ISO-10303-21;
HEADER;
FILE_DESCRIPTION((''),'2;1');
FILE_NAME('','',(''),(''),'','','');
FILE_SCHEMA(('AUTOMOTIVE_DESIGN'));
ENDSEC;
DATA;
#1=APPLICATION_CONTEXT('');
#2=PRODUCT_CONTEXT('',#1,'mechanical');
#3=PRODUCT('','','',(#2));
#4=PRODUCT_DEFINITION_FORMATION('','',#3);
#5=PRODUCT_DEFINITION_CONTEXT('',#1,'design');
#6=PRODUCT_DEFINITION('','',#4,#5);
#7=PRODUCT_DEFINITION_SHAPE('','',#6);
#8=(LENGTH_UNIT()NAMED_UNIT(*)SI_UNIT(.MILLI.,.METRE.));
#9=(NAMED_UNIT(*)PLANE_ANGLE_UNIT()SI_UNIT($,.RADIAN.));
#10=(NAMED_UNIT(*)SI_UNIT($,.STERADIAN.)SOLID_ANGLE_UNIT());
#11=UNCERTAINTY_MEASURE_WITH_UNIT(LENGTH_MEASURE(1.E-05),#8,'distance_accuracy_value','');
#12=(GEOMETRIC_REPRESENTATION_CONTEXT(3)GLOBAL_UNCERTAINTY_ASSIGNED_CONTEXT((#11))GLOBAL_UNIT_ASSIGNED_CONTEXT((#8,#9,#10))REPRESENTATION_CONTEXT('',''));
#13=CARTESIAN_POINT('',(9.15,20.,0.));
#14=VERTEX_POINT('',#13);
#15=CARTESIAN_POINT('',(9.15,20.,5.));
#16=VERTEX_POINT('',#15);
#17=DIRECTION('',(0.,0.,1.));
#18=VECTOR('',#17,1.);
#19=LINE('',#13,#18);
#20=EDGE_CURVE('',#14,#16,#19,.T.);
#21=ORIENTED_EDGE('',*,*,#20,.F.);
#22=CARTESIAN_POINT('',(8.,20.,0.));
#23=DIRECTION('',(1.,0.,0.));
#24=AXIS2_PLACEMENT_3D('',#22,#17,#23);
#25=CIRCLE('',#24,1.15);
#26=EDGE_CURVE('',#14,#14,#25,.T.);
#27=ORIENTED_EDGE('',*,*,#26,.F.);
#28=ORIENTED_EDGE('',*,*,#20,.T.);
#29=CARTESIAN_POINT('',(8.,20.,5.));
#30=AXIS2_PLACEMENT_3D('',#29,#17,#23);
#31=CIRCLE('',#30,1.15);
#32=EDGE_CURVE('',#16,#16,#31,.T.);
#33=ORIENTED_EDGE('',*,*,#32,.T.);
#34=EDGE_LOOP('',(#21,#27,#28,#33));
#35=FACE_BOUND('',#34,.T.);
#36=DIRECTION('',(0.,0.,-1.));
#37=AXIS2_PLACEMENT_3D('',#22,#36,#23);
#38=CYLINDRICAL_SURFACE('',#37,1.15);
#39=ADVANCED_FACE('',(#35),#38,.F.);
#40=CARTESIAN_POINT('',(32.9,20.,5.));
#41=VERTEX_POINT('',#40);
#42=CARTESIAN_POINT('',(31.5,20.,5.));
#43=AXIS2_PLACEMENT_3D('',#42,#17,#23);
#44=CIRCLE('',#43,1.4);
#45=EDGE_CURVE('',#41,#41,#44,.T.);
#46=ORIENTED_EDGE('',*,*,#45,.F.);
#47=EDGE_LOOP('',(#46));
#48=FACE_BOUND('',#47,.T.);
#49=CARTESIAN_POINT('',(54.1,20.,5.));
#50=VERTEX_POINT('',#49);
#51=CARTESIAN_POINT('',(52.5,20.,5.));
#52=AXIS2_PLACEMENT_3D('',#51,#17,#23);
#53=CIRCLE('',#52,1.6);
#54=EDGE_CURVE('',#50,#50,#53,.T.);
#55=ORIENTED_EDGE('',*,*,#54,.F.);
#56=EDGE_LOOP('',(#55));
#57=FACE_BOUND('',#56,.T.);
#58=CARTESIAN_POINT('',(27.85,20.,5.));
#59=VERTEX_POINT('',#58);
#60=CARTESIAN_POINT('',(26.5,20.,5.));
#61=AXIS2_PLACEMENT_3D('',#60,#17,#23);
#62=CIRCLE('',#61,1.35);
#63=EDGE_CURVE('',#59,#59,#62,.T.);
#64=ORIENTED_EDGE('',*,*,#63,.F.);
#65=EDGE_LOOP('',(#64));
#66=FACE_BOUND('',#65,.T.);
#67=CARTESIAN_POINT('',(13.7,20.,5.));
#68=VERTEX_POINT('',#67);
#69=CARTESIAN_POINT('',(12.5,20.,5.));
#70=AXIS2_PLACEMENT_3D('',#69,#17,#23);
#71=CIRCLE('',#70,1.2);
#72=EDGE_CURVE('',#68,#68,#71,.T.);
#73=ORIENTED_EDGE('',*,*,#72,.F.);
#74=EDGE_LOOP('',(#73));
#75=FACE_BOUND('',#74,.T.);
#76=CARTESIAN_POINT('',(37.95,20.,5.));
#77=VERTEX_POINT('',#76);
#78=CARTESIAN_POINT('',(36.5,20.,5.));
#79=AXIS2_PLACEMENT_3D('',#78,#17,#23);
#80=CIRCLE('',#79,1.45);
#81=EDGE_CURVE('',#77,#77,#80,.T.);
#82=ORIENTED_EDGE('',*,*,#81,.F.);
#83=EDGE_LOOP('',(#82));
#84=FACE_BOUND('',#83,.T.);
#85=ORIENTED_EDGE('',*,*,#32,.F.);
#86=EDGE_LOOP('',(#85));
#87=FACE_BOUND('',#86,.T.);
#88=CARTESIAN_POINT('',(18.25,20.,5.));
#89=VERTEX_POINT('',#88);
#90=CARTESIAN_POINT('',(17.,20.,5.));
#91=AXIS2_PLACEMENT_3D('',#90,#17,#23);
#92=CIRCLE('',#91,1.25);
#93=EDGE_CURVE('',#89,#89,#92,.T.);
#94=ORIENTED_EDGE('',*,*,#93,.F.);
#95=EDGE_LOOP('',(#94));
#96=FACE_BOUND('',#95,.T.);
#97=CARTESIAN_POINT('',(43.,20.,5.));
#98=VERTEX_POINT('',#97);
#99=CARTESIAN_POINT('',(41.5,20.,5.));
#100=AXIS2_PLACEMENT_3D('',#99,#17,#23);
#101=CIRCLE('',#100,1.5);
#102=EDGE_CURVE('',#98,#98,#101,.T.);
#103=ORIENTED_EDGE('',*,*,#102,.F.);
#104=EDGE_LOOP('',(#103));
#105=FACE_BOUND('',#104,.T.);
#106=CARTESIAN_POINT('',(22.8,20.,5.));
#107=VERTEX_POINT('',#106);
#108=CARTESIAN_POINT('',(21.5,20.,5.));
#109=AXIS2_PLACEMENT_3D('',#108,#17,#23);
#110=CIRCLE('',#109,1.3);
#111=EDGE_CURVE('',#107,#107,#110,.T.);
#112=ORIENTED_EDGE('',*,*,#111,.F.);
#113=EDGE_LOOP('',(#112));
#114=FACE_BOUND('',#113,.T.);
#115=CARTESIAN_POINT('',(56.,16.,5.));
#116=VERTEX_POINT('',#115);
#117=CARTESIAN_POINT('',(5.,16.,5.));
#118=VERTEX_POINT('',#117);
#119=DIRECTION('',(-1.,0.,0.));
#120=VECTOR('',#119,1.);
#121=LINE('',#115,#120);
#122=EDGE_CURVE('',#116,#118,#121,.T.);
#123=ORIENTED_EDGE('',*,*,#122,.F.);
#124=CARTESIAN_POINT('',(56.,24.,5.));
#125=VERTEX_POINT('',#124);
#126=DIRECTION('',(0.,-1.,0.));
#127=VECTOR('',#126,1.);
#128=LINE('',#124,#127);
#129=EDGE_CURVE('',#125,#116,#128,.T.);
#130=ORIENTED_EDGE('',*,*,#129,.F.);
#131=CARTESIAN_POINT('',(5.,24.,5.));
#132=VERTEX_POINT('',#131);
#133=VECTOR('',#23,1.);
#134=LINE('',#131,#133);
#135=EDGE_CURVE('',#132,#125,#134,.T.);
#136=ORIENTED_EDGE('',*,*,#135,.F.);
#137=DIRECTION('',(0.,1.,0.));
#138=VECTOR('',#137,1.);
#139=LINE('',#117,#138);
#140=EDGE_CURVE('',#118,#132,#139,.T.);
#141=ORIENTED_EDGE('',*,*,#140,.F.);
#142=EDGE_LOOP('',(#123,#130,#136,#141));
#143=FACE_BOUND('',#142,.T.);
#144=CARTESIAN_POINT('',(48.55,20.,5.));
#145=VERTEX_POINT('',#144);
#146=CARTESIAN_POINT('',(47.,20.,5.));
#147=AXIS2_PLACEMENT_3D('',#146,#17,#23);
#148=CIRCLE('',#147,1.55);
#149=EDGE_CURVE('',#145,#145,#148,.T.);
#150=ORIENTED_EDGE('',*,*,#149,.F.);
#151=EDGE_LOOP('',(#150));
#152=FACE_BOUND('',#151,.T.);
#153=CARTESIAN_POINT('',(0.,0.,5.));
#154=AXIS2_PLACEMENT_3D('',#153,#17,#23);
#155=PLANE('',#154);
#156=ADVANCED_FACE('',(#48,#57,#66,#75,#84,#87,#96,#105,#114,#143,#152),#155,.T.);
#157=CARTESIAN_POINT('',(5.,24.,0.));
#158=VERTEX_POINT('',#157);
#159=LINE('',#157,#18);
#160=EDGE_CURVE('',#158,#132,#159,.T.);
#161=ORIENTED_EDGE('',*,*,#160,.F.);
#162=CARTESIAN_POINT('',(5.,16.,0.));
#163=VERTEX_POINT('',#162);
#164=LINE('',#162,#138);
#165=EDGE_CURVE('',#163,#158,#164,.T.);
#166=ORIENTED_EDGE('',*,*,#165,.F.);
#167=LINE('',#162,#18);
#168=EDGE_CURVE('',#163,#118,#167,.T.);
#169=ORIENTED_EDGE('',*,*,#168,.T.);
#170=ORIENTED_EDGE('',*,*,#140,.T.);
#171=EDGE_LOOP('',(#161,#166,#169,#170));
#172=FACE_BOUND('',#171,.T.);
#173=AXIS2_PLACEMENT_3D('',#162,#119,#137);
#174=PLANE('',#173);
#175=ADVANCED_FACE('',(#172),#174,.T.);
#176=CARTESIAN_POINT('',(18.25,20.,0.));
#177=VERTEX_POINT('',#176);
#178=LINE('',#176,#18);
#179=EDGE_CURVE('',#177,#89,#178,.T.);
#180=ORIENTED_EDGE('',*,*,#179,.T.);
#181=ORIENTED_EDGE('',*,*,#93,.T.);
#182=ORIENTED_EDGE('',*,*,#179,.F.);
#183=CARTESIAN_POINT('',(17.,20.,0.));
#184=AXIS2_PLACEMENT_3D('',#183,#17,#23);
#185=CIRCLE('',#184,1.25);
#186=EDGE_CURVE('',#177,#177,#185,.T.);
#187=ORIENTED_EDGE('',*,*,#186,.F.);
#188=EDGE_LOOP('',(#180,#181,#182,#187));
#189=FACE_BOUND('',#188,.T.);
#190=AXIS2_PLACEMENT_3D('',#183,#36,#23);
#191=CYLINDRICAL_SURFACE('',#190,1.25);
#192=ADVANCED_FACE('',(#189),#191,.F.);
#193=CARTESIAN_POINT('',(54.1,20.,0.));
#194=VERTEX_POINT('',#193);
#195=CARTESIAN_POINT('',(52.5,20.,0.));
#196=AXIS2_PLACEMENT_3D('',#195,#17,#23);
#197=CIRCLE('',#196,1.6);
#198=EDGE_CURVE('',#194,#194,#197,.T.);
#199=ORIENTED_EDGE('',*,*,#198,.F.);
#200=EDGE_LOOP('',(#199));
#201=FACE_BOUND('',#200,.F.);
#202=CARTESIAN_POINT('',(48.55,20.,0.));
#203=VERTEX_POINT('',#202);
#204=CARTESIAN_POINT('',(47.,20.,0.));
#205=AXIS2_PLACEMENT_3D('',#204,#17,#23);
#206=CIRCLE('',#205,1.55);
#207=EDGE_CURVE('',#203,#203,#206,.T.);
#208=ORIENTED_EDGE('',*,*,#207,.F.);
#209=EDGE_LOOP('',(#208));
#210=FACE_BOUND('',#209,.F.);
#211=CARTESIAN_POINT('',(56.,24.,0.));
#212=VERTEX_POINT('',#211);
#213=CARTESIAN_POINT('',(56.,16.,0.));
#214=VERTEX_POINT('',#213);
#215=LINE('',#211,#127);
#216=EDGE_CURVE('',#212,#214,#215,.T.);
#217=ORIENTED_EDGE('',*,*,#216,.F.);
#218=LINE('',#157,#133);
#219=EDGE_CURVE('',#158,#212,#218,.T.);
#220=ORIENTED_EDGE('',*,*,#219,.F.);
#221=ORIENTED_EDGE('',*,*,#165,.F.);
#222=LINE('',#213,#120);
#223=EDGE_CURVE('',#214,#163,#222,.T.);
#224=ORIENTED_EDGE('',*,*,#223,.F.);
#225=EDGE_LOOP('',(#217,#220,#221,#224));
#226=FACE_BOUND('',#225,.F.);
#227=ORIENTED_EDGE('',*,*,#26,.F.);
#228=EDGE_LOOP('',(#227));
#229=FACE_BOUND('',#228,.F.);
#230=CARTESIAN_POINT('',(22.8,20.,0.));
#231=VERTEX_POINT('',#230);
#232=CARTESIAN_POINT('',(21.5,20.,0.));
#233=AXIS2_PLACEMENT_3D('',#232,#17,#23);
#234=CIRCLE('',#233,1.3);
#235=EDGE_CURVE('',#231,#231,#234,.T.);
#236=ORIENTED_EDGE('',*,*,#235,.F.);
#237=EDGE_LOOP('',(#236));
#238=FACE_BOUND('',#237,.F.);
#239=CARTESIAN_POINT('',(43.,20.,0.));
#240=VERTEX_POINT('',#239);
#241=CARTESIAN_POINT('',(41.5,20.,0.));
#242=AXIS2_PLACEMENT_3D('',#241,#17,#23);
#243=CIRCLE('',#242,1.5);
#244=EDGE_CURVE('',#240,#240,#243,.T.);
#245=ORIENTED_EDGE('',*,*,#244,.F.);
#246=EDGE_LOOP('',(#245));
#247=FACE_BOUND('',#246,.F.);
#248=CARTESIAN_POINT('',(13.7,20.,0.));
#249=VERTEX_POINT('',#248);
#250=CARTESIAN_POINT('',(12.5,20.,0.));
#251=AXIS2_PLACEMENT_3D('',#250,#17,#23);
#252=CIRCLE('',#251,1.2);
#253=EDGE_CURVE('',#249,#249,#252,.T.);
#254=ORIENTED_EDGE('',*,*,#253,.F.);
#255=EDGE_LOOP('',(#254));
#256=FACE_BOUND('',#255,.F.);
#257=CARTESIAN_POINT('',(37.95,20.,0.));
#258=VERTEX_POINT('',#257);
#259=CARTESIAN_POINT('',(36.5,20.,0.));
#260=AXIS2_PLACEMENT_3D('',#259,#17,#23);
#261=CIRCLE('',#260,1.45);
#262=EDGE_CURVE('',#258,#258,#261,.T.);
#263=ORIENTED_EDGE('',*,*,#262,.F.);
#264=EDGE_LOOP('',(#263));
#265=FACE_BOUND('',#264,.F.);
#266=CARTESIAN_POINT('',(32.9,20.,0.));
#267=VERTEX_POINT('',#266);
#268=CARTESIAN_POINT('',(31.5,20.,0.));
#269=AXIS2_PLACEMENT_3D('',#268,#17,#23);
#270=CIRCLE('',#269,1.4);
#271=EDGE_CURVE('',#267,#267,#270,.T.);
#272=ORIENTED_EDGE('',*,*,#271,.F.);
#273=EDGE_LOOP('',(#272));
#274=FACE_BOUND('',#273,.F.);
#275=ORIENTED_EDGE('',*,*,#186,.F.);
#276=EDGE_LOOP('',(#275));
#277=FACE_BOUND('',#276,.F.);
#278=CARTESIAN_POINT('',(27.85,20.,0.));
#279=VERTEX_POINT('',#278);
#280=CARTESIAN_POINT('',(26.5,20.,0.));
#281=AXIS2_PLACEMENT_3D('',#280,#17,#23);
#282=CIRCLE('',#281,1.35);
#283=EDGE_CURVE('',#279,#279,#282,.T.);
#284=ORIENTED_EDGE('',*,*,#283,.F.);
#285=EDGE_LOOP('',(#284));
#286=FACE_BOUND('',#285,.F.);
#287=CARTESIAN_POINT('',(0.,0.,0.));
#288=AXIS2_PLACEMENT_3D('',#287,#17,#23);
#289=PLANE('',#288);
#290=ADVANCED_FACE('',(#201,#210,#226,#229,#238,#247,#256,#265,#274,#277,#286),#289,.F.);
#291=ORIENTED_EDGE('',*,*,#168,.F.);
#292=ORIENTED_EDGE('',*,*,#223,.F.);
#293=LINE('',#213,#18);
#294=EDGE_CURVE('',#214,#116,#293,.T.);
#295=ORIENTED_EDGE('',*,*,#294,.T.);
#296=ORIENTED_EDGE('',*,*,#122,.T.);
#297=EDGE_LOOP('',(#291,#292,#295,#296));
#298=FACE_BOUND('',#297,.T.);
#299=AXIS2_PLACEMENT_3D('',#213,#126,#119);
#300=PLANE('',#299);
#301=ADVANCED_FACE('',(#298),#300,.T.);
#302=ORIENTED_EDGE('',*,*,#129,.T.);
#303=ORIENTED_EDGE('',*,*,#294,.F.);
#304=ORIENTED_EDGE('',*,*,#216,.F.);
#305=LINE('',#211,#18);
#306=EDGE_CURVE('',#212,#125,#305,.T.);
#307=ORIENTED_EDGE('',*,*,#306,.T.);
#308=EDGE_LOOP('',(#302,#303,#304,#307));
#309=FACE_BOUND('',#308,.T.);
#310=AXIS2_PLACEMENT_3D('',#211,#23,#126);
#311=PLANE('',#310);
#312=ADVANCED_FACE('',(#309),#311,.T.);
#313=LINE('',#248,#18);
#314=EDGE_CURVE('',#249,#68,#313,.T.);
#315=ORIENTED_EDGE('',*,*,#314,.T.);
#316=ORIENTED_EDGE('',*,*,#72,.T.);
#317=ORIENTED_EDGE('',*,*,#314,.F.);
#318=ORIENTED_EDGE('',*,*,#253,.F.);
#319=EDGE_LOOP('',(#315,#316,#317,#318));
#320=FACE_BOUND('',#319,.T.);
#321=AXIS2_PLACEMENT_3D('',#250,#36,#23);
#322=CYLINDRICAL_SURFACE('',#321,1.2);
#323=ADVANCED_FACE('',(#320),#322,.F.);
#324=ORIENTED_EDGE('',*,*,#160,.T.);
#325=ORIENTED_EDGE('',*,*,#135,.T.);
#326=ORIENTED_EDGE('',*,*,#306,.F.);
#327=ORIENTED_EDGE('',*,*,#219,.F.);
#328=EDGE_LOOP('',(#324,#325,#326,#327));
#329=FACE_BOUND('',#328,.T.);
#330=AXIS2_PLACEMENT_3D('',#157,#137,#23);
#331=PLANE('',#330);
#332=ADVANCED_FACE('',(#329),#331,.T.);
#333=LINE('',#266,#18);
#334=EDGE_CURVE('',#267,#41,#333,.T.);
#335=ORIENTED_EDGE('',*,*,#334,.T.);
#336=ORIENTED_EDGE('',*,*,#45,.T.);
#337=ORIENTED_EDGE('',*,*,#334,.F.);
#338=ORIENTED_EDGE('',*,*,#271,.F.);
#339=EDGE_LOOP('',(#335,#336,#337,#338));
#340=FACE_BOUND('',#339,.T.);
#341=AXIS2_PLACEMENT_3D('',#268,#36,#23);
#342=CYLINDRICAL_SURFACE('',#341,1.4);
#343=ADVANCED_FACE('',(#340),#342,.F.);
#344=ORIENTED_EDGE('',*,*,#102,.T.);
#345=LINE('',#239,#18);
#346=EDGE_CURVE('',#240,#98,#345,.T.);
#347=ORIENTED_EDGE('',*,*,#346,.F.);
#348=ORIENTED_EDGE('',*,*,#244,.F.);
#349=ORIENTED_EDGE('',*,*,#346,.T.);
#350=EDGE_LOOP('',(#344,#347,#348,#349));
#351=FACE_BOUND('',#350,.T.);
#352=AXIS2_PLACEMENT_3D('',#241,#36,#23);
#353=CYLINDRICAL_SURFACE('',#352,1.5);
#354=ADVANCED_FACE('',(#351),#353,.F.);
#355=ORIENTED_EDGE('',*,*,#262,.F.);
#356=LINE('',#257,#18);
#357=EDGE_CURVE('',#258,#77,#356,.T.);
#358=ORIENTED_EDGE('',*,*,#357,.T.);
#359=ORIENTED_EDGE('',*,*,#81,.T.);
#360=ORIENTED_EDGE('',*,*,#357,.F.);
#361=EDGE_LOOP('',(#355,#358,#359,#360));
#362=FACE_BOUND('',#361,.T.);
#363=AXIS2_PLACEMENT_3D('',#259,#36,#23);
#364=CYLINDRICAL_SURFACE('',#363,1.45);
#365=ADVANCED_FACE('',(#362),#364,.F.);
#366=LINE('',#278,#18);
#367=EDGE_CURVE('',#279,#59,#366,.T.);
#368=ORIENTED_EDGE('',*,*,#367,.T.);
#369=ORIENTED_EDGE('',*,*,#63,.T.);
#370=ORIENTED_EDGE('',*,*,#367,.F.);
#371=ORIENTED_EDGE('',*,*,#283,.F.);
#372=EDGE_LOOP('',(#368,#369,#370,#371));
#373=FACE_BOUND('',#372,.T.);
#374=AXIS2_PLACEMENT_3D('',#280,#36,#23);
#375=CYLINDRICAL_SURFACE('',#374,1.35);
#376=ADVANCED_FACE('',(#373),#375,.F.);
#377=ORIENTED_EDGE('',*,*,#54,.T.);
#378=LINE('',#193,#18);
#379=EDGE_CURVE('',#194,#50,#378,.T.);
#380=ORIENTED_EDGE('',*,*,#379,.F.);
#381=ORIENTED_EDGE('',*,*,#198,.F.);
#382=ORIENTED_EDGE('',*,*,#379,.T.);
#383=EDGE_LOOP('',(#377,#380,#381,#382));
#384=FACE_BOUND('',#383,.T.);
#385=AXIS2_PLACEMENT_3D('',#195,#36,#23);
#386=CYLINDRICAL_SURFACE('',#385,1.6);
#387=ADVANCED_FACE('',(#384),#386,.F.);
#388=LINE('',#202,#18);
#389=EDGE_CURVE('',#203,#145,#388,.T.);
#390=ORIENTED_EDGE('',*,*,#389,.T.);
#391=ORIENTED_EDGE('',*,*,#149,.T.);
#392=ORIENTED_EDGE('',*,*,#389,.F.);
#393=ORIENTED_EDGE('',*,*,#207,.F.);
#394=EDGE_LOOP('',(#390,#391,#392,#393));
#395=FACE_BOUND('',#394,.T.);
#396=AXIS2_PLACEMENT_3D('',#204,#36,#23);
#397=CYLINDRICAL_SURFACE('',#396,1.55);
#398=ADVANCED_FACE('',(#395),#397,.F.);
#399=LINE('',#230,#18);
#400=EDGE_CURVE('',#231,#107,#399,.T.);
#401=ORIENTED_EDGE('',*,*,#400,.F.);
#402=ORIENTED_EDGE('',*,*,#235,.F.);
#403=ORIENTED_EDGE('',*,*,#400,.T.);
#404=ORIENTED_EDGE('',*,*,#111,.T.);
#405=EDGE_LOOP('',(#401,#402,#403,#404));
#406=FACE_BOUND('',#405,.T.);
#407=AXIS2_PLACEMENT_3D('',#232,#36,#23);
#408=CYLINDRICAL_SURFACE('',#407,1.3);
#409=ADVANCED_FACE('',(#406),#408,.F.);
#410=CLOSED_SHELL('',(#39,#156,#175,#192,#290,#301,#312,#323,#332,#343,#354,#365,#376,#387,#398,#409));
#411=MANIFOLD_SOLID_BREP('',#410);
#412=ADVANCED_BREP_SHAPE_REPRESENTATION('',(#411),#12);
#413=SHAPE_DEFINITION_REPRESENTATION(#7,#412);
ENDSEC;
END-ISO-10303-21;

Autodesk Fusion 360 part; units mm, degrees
sketch "Sketch1" plane through (0, 0, 0) normal (0, 0, 1) x (1, 0, 0)
  line L0 (5, 24) -> (56, 24)
  line L1 (56, 24) -> (56, 16)
  line L2 (56, 16) -> (5, 16)
  line L3 (5, 16) -> (5, 24)
  circle A0 centre (8, 20) radius 1.15
  circle A1 centre (12.5, 20) radius 1.2
  circle A2 centre (17, 20) radius 1.25
  circle A3 centre (21.5, 20) radius 1.3
  circle A4 centre (26.5, 20) radius 1.35
  circle A5 centre (31.5, 20) radius 1.4
  circle A6 centre (36.5, 20) radius 1.45
  circle A7 centre (41.5, 20) radius 1.5
  circle A8 centre (47, 20) radius 1.55
  circle A9 centre (52.5, 20) radius 1.6
  dimension "d1" = 51
  dimension "d2" = 8
  dimension "d6" = 2.3
  dimension "d7" = 2.4
  dimension "d8" = 2.5
  dimension "d9" = 2.6
  dimension "d10" = 2.7
  dimension "d11" = 2.8
  dimension "d12" = 2.9
  dimension "d13" = 3
  dimension "d14" = 3.1
  dimension "d15" = 3.2
extrude "Extrude2" add sketch "Sketch1" along normal blind 5
